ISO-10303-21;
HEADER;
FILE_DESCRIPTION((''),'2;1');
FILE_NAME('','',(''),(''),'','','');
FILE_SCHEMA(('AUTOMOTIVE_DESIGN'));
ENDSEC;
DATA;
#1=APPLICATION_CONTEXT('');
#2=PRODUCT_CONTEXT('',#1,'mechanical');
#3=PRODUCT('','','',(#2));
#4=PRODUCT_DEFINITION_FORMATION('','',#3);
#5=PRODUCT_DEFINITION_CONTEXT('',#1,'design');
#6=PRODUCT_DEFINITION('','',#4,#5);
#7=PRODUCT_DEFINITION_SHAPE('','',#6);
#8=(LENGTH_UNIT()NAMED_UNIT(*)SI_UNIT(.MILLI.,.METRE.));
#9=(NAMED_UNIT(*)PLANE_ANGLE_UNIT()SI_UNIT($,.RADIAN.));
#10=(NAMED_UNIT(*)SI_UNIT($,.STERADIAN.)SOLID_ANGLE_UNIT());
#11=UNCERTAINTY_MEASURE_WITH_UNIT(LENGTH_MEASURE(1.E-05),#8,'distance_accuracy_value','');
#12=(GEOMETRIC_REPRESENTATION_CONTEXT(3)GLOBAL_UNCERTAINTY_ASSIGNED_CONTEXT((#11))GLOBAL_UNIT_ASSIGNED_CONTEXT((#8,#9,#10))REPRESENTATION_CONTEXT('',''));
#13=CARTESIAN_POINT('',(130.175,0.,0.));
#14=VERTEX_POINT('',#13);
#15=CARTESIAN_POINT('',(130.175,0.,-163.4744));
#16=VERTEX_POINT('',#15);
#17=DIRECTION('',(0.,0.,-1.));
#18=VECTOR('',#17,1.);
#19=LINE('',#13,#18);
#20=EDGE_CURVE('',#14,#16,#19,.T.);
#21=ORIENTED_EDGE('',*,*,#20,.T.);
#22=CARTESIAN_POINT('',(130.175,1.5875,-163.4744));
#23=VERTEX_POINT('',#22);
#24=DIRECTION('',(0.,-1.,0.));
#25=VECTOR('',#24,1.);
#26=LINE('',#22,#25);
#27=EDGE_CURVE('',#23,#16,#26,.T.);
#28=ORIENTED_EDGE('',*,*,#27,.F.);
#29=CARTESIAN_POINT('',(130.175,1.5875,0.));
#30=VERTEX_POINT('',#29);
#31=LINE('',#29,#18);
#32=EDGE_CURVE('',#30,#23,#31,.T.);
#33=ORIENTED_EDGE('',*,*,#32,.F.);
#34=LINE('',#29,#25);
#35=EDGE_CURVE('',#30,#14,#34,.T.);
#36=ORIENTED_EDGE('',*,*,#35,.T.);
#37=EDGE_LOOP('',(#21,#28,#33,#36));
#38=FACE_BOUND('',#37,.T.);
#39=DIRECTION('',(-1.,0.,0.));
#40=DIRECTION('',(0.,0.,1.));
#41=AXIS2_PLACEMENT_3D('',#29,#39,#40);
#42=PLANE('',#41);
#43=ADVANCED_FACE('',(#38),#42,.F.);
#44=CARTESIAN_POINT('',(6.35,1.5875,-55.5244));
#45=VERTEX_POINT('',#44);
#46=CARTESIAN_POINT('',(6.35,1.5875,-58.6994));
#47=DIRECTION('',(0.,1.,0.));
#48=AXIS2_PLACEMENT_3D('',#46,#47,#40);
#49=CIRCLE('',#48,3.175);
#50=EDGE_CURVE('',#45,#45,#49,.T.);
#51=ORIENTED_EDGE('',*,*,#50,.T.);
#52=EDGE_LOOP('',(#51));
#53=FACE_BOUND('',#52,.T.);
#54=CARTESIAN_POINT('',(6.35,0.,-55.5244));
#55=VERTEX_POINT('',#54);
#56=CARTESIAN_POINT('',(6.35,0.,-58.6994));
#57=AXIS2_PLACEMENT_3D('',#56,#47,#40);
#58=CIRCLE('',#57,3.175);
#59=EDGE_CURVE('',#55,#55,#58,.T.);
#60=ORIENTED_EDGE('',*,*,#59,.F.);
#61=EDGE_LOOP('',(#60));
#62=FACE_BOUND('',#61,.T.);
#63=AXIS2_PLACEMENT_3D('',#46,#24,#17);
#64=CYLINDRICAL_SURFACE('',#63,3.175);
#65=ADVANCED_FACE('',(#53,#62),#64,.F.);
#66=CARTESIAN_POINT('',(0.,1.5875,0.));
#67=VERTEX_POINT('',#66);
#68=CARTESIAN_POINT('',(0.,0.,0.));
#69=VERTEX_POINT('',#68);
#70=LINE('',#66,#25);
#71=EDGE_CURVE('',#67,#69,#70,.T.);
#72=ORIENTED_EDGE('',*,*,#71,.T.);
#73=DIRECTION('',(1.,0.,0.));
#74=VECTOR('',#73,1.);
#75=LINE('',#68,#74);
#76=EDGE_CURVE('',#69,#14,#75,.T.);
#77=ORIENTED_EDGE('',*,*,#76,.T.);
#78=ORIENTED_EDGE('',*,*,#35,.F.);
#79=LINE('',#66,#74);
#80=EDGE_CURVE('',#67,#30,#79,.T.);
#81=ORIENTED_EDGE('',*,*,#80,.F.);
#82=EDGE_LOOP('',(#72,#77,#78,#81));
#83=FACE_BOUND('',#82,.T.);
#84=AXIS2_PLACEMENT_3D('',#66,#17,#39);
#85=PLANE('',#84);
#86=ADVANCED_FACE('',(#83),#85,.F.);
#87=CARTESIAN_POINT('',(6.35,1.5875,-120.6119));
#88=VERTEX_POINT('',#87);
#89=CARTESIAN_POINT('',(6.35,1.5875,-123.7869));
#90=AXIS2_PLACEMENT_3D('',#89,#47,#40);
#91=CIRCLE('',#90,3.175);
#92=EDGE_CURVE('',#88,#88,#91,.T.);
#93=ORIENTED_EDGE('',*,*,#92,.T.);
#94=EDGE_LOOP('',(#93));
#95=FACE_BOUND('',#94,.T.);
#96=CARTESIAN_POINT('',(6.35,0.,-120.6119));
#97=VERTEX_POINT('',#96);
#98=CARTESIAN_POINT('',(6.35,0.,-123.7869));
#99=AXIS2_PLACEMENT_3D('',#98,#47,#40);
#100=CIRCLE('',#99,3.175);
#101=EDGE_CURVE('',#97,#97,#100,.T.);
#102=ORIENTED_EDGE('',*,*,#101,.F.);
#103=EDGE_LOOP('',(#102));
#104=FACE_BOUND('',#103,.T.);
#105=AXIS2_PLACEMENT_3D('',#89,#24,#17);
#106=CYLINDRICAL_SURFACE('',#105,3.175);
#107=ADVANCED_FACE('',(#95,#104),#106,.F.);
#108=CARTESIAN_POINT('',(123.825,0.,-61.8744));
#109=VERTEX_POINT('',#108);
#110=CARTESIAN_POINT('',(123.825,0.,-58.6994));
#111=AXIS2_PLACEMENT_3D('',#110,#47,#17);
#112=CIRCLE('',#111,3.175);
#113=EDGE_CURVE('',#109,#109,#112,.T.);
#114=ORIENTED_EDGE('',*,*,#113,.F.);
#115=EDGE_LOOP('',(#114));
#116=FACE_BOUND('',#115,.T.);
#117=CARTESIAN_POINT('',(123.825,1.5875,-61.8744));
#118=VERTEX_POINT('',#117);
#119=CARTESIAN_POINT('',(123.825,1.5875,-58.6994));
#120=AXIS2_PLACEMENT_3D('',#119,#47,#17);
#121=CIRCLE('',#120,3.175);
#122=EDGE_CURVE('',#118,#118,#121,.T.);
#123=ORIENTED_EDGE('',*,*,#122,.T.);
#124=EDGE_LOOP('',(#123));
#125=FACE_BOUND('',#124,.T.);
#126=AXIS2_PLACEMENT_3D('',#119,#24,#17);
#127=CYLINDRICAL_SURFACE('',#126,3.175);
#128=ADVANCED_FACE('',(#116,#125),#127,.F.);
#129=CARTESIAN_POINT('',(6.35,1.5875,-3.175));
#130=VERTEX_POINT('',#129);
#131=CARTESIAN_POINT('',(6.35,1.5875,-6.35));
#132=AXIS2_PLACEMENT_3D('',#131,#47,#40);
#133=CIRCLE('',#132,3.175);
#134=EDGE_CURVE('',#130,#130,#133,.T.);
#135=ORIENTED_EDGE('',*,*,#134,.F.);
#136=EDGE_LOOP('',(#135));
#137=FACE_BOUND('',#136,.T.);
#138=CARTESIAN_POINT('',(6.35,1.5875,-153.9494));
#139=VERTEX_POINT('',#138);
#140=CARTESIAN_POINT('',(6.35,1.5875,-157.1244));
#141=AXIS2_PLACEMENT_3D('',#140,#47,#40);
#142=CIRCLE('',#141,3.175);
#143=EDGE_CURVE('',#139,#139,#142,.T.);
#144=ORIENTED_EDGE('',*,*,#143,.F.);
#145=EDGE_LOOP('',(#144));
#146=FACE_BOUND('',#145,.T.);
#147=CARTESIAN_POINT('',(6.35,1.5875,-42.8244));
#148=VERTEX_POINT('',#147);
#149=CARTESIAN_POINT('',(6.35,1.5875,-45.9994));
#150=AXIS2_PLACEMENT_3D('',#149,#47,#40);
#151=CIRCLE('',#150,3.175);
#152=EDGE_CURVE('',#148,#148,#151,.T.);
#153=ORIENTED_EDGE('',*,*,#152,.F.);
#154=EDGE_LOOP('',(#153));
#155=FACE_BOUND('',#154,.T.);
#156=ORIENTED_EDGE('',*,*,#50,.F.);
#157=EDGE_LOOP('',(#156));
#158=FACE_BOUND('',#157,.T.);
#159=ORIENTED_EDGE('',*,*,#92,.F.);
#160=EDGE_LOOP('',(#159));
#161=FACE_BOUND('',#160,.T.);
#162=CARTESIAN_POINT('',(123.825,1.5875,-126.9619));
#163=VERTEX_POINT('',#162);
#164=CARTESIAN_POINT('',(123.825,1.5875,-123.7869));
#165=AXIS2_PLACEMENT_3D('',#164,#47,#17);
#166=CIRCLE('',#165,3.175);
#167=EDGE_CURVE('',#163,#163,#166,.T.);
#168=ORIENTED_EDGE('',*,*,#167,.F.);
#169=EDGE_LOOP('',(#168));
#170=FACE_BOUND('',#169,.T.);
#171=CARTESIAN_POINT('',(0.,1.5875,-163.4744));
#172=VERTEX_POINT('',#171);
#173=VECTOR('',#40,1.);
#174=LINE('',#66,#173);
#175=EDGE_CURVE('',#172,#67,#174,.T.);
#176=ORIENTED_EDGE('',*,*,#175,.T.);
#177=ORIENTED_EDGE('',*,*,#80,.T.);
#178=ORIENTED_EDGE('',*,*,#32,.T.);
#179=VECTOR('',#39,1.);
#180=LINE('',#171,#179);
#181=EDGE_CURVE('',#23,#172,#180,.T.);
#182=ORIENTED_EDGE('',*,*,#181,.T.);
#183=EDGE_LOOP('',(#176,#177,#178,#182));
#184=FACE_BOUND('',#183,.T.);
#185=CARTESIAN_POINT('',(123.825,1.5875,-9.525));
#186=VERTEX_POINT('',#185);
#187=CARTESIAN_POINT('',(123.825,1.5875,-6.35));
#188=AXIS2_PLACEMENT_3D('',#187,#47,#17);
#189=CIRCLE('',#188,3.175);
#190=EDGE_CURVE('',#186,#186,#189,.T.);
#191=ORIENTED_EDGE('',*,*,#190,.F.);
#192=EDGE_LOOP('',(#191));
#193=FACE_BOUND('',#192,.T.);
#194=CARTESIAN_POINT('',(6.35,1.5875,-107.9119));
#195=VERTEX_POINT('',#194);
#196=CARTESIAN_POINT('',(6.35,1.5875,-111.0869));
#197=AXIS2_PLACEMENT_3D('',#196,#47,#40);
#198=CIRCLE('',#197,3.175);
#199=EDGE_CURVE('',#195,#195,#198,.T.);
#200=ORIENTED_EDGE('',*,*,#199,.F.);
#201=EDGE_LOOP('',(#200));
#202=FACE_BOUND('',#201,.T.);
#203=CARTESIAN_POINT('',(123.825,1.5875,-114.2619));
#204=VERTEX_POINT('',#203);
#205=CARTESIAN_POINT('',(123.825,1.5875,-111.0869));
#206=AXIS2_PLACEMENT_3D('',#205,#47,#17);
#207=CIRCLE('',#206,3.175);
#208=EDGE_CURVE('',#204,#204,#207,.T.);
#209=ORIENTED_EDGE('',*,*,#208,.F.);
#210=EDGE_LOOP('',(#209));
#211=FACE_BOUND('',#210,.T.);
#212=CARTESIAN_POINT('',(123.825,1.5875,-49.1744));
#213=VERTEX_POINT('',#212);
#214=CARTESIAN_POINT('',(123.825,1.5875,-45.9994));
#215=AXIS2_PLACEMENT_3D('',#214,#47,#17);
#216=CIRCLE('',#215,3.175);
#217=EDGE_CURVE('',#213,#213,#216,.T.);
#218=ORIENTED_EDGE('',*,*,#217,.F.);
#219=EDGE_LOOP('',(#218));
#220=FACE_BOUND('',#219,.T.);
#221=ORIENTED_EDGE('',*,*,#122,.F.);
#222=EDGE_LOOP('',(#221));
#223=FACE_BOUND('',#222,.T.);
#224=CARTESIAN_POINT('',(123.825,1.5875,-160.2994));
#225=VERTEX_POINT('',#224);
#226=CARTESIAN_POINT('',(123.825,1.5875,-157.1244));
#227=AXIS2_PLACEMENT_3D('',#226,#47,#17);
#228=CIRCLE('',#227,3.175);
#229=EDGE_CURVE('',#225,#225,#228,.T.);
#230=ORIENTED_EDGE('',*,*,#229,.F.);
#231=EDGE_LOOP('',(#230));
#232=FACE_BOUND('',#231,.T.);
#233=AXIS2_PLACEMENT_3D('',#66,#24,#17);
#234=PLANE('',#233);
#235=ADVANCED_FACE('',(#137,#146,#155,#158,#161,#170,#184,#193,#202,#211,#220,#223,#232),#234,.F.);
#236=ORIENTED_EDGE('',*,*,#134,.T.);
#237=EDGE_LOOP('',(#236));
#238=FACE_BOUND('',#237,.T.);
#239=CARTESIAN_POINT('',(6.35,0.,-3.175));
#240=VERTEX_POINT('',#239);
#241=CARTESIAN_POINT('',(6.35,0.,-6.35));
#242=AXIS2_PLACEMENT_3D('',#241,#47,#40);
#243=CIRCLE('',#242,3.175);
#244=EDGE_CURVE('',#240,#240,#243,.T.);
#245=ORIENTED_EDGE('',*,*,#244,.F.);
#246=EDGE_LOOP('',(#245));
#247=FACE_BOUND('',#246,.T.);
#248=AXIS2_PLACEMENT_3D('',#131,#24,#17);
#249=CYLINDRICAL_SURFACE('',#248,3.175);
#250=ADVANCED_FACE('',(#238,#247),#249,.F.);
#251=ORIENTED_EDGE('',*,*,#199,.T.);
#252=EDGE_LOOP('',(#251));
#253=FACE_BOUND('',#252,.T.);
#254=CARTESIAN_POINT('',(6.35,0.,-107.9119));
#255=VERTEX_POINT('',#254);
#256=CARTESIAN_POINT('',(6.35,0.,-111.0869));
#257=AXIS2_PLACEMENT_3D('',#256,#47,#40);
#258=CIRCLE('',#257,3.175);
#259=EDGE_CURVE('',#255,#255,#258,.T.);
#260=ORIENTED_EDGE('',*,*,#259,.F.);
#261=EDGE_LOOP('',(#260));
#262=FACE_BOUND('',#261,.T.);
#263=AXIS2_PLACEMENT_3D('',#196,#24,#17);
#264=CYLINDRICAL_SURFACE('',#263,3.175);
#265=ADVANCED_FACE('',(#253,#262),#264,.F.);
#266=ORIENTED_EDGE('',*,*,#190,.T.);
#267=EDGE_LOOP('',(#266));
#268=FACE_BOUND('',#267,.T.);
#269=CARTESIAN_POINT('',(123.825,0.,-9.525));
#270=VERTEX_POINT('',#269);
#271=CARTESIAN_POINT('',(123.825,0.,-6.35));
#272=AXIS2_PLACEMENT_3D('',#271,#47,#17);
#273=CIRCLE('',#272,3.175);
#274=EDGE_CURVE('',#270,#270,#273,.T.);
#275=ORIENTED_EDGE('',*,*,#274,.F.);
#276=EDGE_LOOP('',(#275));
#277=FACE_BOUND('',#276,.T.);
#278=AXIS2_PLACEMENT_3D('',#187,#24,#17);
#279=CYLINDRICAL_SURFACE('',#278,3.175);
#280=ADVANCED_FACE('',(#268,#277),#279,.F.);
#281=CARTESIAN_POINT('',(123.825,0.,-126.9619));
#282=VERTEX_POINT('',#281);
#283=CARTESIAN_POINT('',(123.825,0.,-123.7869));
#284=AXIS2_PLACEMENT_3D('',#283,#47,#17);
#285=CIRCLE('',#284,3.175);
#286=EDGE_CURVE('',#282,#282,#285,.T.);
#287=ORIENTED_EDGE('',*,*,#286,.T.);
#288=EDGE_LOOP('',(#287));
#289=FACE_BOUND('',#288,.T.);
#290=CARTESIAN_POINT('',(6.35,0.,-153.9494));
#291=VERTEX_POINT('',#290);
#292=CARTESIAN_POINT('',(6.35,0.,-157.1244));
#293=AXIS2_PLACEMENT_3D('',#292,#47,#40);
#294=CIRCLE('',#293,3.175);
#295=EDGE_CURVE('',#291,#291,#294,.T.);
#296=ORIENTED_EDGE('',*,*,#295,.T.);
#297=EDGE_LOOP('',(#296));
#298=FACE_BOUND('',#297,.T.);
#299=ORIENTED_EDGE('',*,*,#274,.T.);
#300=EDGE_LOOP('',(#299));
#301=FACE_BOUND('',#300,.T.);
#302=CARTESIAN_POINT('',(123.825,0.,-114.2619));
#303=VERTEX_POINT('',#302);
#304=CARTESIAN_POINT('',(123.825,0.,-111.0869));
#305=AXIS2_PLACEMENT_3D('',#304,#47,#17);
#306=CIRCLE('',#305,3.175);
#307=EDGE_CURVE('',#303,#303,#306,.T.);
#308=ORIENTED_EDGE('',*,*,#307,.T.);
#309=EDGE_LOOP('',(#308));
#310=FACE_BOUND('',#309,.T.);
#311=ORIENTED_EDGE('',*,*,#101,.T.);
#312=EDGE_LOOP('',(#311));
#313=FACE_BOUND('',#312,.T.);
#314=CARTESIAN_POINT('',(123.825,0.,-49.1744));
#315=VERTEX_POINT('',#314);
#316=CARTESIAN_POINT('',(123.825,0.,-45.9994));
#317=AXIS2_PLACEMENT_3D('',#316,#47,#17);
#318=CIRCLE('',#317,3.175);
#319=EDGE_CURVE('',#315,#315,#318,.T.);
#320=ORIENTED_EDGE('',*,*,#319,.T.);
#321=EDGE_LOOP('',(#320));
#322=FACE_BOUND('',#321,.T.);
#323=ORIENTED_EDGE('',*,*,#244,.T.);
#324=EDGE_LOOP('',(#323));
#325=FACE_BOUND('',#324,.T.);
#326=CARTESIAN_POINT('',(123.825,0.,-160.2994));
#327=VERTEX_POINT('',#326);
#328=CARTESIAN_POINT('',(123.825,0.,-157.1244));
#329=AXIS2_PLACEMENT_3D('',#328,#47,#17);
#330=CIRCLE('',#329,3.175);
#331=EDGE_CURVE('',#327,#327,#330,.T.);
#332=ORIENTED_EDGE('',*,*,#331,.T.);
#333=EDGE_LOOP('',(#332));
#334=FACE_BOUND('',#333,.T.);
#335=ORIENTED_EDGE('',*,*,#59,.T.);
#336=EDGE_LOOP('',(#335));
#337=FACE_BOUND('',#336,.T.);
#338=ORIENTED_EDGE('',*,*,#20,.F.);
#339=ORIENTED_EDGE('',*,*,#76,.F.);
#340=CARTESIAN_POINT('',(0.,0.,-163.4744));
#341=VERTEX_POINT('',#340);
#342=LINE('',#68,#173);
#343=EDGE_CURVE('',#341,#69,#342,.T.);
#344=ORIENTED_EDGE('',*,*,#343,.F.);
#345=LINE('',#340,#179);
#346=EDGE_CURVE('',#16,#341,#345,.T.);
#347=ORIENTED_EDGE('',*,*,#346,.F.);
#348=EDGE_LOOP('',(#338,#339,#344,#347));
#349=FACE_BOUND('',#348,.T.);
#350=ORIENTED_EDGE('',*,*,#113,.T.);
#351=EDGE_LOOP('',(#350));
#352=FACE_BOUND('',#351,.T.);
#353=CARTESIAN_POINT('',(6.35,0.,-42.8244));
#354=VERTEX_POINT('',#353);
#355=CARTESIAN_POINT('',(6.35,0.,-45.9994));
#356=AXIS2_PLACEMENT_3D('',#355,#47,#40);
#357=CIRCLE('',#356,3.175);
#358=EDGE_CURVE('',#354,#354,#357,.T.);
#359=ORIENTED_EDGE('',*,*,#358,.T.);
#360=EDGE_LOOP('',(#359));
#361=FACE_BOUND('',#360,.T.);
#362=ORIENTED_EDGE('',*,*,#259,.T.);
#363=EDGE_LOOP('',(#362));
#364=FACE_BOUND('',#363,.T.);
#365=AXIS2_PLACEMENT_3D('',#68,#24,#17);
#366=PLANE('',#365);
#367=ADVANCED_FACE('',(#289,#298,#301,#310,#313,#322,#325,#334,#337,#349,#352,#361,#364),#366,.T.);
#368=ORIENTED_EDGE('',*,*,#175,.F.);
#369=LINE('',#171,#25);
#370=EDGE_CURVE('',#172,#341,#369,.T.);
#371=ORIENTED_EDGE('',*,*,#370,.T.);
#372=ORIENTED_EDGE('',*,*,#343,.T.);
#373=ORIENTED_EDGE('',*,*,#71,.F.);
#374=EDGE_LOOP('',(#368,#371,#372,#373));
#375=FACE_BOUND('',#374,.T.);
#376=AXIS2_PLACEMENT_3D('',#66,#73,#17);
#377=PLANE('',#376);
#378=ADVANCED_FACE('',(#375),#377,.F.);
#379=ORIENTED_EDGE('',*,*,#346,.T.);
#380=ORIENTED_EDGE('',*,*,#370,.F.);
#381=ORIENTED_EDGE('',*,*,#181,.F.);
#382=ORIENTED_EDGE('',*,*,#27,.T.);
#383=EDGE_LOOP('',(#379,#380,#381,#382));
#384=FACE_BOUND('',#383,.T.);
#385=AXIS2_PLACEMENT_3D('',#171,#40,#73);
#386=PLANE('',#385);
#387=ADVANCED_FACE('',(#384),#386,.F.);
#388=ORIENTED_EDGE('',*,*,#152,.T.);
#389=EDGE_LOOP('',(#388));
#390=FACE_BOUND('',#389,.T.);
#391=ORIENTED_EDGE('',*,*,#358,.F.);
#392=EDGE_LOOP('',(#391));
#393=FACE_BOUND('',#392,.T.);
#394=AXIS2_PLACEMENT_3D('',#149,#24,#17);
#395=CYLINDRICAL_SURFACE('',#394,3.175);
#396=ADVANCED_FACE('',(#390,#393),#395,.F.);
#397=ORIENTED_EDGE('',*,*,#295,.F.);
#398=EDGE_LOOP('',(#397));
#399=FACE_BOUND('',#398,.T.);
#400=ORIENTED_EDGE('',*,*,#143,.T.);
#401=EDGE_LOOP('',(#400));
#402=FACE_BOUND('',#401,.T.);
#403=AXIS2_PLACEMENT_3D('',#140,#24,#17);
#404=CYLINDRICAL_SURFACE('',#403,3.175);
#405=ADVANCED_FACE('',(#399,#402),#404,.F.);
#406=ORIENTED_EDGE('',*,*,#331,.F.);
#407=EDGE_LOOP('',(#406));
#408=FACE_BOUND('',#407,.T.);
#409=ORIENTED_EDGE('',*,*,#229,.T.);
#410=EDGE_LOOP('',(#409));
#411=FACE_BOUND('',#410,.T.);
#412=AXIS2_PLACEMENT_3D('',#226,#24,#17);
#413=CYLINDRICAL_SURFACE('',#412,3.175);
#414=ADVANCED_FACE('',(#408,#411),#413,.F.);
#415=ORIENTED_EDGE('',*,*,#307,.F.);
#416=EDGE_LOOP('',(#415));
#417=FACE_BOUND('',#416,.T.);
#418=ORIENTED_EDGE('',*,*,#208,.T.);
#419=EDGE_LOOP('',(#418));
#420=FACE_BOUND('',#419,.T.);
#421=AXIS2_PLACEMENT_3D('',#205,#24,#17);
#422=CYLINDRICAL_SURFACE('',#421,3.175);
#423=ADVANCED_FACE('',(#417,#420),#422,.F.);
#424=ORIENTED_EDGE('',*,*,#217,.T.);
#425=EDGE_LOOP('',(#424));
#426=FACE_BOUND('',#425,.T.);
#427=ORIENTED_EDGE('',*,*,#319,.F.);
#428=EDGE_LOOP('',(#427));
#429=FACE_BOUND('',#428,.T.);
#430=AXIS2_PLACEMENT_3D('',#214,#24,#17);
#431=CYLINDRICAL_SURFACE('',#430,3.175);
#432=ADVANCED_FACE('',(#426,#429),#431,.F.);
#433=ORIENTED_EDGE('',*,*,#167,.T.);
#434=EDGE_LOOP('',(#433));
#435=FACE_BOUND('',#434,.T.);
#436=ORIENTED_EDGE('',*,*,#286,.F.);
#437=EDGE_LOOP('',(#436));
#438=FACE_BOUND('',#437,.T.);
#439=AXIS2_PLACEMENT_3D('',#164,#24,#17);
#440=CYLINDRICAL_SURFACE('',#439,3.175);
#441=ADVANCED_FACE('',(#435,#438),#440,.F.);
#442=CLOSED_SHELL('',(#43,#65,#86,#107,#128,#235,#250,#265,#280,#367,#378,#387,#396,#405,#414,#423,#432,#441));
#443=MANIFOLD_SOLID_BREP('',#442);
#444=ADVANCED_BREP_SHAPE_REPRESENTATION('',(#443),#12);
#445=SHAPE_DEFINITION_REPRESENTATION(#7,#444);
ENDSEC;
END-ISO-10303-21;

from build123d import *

# Parameters (mm, degrees)
SKETCH1_W           = 130.175
SKETCH1_H           = 163.4744
SKETCH1_R           = 3.175
BOSS_EXTRUDE1_DEPTH = 1.5875


with BuildPart() as part:
    # Sketch1 → Boss-Extrude1 (new body)
    with BuildSketch(Plane(origin=(0, 0, 0), x_dir=(1, 0, 0), z_dir=(0, 1, 0))):
        with Locations((65.0875, 81.7372)):
            Rectangle(SKETCH1_W, SKETCH1_H)
        with Locations((6.35, 6.35)):
            Circle(SKETCH1_R, mode=Mode.SUBTRACT)
        with Locations((6.35, 157.1244)):
            Circle(SKETCH1_R, mode=Mode.SUBTRACT)
        with Locations((123.825, 6.35)):
            Circle(SKETCH1_R, mode=Mode.SUBTRACT)
        with Locations((123.825, 157.1244)):
            Circle(SKETCH1_R, mode=Mode.SUBTRACT)
        with Locations((6.35, 123.7869)):
            Circle(SKETCH1_R, mode=Mode.SUBTRACT)
        with Locations((6.35, 111.0869)):
            Circle(SKETCH1_R, mode=Mode.SUBTRACT)
        with Locations((6.35, 58.6994)):
            Circle(SKETCH1_R, mode=Mode.SUBTRACT)
        with Locations((6.35, 45.9994)):
            Circle(SKETCH1_R, mode=Mode.SUBTRACT)
        with Locations((123.825, 123.7869)):
            Circle(SKETCH1_R, mode=Mode.SUBTRACT)
        with Locations((123.825, 111.0869)):
            Circle(SKETCH1_R, mode=Mode.SUBTRACT)
        with Locations((123.825, 58.6994)):
            Circle(SKETCH1_R, mode=Mode.SUBTRACT)
        with Locations((123.825, 45.9994)):
            Circle(SKETCH1_R, mode=Mode.SUBTRACT)
    extrude(amount=BOSS_EXTRUDE1_DEPTH)


solid = part.part
